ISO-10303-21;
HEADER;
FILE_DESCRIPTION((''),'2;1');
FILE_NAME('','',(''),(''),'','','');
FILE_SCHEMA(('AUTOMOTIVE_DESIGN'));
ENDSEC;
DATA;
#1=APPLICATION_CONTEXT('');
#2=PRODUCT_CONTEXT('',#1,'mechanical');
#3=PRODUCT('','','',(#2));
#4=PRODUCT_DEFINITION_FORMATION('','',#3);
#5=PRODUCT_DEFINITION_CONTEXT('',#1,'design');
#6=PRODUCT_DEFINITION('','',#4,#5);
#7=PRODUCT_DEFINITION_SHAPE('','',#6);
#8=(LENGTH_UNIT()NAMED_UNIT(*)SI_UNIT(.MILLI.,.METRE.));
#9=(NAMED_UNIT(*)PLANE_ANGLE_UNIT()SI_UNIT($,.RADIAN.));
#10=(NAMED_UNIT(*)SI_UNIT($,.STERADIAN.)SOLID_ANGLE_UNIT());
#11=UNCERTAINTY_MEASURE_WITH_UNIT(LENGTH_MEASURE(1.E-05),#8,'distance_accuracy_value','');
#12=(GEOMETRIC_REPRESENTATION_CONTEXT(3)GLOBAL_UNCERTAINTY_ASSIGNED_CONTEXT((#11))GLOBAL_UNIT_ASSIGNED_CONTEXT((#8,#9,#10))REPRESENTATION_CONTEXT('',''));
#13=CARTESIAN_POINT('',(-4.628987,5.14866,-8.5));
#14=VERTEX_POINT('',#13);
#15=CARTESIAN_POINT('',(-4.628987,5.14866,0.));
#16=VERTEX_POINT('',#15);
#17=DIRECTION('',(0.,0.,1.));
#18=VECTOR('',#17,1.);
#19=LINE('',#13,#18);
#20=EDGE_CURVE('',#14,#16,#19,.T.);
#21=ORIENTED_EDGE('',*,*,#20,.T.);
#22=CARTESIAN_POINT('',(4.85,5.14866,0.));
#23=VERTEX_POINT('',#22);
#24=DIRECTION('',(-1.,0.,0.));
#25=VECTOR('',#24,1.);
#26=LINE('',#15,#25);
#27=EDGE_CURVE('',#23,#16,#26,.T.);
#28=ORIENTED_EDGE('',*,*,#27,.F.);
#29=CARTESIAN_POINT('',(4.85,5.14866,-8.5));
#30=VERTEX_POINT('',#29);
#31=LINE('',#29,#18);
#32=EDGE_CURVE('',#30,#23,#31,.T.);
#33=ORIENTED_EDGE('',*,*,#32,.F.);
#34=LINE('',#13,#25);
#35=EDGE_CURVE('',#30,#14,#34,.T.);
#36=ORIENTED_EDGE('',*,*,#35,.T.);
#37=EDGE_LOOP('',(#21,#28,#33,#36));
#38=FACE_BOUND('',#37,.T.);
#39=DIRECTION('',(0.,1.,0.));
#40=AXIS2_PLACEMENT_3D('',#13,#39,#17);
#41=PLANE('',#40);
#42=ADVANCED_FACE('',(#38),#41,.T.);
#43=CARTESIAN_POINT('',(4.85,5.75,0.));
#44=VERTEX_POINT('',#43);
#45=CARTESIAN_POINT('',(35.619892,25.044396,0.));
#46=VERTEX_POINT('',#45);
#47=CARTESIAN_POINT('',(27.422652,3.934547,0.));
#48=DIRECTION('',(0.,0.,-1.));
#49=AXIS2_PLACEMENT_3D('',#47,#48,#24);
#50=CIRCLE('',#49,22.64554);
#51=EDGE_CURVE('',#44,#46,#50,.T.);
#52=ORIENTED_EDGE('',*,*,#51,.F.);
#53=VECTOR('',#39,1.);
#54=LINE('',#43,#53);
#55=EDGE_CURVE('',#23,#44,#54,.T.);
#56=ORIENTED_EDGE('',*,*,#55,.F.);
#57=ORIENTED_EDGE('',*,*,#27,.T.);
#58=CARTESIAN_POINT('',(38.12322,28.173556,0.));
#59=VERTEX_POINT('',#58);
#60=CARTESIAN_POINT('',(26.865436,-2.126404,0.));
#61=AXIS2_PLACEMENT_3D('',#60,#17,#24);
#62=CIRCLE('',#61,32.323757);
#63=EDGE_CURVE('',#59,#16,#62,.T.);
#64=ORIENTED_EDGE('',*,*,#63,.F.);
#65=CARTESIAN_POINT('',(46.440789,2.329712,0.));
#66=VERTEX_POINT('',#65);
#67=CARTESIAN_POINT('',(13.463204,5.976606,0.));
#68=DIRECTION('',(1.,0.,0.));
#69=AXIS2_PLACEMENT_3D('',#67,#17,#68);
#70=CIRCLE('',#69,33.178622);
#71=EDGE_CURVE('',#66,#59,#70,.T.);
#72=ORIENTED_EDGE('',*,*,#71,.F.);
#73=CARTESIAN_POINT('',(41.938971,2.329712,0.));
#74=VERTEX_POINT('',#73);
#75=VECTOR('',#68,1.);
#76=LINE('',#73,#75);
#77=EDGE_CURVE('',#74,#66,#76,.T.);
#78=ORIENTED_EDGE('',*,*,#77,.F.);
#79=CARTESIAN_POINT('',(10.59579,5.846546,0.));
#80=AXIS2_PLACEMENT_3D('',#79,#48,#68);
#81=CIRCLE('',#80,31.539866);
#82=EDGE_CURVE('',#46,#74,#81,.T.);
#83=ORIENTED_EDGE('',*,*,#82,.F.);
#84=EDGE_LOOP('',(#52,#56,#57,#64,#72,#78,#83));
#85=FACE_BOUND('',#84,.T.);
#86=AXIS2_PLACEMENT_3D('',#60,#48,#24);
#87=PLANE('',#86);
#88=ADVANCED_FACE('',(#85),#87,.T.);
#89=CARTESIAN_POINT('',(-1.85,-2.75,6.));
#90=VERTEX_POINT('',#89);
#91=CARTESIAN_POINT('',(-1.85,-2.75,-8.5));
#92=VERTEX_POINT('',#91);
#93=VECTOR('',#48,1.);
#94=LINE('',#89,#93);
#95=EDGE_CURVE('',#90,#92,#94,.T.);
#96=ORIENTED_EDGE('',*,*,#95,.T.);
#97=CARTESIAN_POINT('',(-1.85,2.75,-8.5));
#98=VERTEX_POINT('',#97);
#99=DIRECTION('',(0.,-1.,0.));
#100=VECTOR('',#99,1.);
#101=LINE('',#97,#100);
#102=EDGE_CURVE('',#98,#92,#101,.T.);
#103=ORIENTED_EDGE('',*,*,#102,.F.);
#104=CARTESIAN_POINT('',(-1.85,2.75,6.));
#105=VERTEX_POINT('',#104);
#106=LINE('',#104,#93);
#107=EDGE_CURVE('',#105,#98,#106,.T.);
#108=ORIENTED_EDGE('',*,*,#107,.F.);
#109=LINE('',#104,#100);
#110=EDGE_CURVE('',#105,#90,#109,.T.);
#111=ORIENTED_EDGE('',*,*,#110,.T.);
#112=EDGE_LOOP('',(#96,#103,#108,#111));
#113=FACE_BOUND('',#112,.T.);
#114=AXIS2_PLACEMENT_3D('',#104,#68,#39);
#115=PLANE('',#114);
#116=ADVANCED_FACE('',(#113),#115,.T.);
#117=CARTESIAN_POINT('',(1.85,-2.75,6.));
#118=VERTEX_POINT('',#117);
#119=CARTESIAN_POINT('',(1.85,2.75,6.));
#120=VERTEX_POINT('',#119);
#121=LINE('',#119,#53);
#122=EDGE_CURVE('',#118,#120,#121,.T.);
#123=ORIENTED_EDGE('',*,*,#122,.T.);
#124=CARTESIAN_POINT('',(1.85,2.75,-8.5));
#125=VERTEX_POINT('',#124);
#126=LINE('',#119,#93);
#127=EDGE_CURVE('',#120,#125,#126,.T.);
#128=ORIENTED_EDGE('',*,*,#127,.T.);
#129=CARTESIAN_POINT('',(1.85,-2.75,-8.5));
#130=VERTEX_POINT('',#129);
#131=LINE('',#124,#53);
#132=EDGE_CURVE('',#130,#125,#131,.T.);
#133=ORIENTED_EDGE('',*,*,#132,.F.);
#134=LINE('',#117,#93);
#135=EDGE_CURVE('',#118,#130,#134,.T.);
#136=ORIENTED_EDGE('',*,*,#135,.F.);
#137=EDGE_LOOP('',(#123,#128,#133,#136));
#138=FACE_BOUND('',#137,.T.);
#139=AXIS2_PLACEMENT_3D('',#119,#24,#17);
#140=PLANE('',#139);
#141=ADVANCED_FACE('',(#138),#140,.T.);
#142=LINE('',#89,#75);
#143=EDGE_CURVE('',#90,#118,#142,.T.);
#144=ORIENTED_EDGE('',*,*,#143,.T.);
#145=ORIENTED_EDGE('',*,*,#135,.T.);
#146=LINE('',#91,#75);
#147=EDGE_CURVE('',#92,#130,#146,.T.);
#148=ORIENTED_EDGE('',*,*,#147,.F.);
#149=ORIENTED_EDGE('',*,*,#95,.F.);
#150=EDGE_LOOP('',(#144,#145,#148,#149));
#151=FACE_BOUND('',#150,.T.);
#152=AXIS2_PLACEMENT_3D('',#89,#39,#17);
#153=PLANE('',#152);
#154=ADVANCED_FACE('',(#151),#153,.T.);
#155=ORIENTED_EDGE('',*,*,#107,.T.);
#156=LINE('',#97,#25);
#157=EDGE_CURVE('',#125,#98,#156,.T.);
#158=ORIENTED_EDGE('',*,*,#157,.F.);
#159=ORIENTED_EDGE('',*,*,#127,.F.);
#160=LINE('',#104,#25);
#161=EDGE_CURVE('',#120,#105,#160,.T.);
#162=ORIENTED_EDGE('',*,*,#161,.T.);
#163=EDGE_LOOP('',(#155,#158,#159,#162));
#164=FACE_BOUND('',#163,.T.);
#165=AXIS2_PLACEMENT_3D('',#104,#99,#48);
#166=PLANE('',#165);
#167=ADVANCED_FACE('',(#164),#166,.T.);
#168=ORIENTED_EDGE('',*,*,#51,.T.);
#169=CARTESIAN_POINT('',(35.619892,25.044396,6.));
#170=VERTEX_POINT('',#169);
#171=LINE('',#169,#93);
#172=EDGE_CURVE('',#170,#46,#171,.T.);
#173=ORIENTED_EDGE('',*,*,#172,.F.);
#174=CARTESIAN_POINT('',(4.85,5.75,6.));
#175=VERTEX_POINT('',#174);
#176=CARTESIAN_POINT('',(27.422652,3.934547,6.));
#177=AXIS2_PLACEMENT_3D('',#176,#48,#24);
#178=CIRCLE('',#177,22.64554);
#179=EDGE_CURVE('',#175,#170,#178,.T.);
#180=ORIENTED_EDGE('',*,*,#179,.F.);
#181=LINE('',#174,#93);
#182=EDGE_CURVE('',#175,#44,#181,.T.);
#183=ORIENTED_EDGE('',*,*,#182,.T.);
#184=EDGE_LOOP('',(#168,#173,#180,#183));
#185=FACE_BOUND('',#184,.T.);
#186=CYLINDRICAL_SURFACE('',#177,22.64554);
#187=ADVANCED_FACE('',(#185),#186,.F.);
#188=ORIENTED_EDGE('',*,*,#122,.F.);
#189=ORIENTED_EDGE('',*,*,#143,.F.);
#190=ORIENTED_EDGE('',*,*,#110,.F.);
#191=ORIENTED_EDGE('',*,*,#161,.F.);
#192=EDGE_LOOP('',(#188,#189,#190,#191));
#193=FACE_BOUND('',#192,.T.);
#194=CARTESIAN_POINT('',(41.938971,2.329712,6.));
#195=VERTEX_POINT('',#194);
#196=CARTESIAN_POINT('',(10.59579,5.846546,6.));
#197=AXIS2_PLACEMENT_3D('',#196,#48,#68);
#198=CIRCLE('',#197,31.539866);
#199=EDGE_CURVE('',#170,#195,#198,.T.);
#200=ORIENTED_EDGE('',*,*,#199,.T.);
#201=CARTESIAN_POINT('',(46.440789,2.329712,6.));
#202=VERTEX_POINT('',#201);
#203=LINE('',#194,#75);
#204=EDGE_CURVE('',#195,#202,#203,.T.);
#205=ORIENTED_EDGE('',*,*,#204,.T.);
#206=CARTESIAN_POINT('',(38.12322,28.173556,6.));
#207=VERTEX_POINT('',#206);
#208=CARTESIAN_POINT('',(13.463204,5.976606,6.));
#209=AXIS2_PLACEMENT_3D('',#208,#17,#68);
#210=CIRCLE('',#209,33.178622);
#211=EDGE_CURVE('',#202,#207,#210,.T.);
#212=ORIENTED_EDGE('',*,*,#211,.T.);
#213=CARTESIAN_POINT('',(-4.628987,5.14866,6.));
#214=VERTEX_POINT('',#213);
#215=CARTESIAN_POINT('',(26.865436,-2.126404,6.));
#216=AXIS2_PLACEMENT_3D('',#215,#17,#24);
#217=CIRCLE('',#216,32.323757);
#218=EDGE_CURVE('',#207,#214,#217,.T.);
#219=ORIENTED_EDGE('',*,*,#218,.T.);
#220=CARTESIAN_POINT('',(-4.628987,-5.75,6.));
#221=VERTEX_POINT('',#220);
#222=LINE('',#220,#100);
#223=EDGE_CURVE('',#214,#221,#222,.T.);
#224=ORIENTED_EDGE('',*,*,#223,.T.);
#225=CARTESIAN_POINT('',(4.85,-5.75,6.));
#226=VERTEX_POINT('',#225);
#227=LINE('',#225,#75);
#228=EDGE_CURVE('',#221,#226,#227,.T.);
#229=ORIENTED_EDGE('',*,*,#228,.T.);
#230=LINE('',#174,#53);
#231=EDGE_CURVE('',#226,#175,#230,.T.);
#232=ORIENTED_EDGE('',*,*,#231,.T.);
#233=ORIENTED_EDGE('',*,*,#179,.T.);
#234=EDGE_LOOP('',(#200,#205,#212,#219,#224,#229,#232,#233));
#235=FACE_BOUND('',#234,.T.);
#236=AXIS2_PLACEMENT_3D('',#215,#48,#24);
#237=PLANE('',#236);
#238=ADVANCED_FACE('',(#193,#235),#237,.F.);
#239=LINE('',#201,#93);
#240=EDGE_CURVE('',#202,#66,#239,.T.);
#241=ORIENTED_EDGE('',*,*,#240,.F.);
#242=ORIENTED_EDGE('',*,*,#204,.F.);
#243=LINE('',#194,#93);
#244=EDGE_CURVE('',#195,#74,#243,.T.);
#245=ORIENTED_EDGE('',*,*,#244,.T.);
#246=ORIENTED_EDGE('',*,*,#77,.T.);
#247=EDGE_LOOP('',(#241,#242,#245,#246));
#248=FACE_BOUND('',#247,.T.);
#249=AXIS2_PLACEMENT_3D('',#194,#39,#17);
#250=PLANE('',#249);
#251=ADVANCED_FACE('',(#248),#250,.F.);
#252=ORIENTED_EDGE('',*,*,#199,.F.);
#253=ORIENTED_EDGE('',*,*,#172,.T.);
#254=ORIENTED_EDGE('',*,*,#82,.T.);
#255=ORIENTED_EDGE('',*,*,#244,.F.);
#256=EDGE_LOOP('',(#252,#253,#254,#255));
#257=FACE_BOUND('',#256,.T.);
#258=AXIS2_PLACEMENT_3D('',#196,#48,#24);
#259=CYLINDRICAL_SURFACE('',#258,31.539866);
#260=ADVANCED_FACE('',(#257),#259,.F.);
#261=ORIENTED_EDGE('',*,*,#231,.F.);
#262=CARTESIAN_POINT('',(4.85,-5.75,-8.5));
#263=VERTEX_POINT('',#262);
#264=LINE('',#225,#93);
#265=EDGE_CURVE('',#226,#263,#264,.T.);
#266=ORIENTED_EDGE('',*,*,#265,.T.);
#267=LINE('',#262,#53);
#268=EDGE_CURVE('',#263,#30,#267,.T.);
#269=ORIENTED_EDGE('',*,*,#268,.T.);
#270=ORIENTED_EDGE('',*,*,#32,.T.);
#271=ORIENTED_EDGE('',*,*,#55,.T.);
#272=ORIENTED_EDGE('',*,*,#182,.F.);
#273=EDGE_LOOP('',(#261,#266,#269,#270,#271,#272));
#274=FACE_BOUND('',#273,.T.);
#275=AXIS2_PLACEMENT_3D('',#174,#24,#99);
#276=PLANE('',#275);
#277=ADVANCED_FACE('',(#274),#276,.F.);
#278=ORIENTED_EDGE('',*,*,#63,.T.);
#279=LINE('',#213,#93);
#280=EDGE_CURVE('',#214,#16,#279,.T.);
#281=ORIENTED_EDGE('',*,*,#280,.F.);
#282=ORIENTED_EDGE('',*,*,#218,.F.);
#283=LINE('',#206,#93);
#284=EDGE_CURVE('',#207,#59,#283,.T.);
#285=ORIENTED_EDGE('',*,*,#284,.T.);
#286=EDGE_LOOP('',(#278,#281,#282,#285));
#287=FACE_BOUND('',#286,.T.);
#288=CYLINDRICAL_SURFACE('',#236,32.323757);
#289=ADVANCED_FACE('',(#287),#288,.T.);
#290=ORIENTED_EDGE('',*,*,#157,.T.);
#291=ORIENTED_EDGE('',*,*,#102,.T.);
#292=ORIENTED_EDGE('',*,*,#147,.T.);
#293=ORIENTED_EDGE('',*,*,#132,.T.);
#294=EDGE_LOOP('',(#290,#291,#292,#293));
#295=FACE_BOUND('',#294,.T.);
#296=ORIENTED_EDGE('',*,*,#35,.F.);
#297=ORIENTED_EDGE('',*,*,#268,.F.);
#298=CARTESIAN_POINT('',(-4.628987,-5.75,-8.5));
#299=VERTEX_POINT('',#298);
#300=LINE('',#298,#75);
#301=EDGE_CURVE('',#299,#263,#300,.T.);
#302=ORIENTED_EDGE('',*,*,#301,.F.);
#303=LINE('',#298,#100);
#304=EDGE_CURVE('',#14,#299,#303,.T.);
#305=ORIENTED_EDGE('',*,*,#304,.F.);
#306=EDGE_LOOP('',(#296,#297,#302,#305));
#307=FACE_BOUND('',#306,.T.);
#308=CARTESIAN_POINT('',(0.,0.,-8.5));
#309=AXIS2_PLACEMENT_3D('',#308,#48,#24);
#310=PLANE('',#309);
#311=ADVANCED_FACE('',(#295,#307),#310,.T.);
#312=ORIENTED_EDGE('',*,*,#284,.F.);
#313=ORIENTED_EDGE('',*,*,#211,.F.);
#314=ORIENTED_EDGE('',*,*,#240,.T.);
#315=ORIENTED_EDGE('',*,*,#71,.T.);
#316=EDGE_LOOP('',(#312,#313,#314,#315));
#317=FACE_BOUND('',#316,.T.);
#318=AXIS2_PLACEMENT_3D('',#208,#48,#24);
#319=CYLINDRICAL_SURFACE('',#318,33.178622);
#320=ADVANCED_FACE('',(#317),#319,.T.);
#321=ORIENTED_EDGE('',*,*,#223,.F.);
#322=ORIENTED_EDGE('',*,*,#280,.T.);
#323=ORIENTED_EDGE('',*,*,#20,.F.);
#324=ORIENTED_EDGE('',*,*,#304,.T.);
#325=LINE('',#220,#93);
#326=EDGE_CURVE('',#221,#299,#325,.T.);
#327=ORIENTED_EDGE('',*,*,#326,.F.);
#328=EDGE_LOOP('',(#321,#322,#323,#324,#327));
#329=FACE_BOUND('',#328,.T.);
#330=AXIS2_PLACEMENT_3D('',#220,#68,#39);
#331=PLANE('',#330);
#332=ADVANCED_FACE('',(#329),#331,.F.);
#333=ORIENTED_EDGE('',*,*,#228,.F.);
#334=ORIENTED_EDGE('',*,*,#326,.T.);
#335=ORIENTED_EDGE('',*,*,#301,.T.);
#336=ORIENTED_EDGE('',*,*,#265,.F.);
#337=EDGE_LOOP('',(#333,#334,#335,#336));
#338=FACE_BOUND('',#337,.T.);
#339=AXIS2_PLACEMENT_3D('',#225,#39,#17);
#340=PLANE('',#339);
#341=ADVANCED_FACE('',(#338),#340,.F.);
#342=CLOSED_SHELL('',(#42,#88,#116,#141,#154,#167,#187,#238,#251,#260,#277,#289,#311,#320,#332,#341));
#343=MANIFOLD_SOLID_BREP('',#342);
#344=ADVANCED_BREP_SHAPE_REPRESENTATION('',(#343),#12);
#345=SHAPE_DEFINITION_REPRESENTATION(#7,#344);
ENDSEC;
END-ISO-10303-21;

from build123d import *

# Parameters (mm, degrees)
SKETCH1_W           = 3.7
SKETCH1_H           = 5.5
BOSS_EXTRUDE1_DEPTH = 6
SKETCH3_W           = 9.478987056
SKETCH3_H           = 10.898659885
SKETCH3_W_2         = 3.7
SKETCH3_H_2         = 5.5
BOSS_EXTRUDE2_DEPTH = 8.5


with BuildPart() as part:
    # Sketch1 → Boss-Extrude1 (new body)
    with BuildSketch(Plane.XY):
        with BuildLine():
            Line((4.85, 5.75), (4.85, -5.75))
            Line((4.85, -5.75), (-4.628987056, -5.75))
            Line((-4.628987056, -5.75), (-4.628987056, 5.148659885))
            ThreePointArc((-4.628987056, 5.148659885), (11.538438682, 26.332485721), (38.123219895, 28.173556039))
            ThreePointArc((38.123219895, 28.173556039), (45.046416869, 16.141331151), (46.440789316, 2.329712217))
            Line((46.440789316, 2.329712217), (41.93897109, 2.329712217))
            ThreePointArc((41.93897109, 2.329712217), (40.981754891, 14.299726349), (35.619891873, 25.044396012))
            ThreePointArc((35.619891873, 25.044396012), (15.392209294, 23.120190877), (4.85, 5.75))
        make_face()
        Rectangle(SKETCH1_W, SKETCH1_H, mode=Mode.SUBTRACT)
    extrude(amount=BOSS_EXTRUDE1_DEPTH)

    # Sketch3 → Boss-Extrude2 (add)
    with BuildSketch(Plane.XY):
        with Locations((0.110506472, -0.300670057)):
            Rectangle(SKETCH3_W, SKETCH3_H)
        Rectangle(SKETCH3_W_2, SKETCH3_H_2, mode=Mode.SUBTRACT)
    extrude(amount=-BOSS_EXTRUDE2_DEPTH)


solid = part.part
